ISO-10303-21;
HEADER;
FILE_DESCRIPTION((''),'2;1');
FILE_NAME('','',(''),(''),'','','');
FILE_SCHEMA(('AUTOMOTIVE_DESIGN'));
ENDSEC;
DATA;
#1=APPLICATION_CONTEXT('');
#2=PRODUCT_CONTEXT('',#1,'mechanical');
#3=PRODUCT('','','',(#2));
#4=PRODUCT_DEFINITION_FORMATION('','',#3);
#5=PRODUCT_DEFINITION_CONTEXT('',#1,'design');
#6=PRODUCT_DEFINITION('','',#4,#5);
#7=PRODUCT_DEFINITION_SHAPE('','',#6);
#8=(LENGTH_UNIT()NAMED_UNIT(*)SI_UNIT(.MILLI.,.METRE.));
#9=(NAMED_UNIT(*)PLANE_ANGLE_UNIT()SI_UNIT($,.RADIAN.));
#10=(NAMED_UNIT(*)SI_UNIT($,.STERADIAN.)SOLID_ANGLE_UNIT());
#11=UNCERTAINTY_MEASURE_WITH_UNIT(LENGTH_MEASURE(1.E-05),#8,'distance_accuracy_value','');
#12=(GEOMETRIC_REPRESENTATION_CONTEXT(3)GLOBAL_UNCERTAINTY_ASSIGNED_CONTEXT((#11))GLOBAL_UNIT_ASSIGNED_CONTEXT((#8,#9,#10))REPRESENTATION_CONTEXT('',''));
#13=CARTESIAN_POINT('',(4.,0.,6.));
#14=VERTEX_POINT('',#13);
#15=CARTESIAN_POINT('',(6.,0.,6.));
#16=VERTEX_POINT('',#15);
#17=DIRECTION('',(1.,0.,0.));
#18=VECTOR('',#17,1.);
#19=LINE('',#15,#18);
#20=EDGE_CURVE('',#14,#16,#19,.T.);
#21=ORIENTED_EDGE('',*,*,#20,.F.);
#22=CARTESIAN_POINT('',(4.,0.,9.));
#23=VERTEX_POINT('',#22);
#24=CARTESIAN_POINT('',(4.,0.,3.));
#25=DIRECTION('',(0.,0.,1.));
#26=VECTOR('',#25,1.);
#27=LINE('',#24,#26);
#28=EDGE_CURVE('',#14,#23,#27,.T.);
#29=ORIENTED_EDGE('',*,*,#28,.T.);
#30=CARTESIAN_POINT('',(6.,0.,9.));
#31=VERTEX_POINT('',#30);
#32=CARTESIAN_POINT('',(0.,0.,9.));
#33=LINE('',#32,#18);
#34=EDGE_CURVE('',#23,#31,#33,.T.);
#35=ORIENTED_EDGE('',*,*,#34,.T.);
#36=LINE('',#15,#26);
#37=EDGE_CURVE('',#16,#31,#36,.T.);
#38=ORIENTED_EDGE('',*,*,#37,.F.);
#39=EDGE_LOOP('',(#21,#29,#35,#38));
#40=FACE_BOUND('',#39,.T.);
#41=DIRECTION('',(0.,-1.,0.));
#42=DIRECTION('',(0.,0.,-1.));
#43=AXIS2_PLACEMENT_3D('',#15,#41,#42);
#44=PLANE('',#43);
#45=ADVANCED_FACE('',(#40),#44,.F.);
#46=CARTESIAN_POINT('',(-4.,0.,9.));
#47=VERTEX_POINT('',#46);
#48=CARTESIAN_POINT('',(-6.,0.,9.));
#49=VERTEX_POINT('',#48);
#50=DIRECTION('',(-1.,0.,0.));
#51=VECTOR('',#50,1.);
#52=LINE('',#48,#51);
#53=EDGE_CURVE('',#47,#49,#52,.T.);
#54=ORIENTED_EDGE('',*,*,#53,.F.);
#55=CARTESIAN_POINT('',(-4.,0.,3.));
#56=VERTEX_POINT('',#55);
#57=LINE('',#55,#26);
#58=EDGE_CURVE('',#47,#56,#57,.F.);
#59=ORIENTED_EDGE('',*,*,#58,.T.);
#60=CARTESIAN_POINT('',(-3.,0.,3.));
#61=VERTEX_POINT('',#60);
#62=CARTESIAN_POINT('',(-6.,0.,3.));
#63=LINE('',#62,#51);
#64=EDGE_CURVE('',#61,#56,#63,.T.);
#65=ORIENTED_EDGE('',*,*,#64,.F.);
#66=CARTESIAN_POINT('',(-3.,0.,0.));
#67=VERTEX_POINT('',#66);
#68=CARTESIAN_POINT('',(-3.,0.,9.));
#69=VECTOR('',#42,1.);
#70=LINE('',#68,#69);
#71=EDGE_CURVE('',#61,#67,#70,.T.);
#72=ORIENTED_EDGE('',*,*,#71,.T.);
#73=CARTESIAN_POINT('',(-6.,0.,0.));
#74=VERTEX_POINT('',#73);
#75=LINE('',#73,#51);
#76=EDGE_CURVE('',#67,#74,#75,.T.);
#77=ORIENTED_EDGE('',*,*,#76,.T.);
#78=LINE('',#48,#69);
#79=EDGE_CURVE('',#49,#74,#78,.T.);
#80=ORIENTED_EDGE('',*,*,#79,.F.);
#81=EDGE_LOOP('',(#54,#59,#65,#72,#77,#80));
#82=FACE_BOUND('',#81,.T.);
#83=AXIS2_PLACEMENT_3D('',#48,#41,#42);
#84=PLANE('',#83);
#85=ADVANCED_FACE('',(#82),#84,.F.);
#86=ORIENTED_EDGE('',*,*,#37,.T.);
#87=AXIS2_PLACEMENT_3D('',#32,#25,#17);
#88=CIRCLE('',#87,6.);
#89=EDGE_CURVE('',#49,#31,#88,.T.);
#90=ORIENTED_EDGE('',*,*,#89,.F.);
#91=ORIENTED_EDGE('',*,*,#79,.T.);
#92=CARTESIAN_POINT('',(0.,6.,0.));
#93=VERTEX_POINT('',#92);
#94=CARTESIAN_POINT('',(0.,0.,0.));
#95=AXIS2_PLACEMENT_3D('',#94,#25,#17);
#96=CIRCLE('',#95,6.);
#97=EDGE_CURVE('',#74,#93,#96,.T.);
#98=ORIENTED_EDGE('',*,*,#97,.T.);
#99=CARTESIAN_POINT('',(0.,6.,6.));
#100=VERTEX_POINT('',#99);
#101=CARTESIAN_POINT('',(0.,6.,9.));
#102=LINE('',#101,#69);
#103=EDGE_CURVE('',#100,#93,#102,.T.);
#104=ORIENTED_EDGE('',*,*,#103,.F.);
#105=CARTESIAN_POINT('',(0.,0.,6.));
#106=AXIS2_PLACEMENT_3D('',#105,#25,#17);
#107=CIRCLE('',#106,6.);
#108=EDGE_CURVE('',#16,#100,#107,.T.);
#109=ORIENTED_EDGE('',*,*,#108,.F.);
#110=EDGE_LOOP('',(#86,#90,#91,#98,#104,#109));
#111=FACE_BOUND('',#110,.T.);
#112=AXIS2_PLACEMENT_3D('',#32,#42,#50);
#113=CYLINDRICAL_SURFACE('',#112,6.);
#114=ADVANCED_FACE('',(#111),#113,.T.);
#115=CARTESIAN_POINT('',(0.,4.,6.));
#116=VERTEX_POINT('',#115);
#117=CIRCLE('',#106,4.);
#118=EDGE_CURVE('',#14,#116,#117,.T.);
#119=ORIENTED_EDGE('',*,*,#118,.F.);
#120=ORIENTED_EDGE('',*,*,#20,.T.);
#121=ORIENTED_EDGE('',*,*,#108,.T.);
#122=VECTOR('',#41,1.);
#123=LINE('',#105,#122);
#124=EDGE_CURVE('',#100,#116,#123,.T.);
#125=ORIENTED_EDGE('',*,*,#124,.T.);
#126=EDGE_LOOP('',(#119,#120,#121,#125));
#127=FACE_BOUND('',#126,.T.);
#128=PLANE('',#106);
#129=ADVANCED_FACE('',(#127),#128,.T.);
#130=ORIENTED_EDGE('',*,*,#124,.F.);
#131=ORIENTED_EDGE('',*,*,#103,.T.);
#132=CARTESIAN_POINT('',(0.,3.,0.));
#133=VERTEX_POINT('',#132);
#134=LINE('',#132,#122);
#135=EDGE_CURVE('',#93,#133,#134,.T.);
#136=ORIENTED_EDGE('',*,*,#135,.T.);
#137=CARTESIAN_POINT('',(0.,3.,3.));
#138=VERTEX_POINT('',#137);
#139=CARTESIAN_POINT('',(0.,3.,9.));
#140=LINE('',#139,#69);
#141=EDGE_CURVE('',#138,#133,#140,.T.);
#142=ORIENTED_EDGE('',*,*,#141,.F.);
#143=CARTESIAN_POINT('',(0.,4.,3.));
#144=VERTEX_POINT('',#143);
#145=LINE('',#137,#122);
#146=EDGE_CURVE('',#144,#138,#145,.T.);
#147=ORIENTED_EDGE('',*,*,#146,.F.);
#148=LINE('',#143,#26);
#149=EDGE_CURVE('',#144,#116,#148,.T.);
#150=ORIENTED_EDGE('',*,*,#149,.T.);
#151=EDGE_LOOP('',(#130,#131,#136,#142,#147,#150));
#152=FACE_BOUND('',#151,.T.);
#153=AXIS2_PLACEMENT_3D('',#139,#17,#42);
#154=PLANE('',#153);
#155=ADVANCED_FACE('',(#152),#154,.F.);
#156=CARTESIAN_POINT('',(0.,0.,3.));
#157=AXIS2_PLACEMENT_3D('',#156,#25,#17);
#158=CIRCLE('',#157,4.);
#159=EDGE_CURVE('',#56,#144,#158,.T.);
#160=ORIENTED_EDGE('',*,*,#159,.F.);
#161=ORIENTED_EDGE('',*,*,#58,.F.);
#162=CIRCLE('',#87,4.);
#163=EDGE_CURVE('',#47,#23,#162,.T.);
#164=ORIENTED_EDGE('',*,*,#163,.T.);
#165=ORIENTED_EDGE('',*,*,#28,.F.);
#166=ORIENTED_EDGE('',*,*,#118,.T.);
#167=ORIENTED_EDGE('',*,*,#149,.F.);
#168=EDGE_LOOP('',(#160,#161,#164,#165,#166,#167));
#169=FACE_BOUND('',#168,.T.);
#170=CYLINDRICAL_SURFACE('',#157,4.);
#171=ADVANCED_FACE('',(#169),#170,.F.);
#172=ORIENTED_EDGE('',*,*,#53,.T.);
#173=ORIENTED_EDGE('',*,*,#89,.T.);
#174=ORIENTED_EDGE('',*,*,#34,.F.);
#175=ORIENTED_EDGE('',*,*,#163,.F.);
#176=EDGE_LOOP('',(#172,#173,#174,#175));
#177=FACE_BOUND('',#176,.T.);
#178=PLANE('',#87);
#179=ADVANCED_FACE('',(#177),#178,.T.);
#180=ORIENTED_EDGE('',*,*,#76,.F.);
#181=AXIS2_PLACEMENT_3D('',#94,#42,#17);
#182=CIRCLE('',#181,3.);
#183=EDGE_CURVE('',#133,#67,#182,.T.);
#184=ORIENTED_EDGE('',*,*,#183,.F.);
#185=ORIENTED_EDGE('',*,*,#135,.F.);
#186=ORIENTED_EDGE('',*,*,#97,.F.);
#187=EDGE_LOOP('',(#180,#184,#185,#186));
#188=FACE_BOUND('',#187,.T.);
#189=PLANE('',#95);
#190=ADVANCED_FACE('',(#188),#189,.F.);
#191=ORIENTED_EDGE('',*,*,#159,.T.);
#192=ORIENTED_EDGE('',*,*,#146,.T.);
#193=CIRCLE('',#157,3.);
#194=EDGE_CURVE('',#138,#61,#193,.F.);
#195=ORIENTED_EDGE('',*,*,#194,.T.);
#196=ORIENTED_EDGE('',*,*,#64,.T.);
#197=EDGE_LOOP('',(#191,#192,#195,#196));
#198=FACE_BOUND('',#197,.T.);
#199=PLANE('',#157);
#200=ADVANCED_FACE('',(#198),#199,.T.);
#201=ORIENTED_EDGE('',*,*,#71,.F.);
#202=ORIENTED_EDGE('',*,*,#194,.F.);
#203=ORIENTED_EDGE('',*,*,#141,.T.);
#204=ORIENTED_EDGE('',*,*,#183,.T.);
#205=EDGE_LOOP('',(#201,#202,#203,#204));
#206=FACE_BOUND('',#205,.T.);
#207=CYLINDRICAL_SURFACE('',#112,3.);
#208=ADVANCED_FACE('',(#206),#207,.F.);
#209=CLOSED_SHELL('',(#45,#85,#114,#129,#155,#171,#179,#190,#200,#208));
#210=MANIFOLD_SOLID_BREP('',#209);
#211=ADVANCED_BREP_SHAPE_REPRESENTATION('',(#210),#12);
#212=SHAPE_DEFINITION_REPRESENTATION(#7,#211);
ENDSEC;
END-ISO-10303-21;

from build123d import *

# Parameters (mm, degrees)
BOSS_EXTRUDE1_DEPTH = 9
SKETCH2_W           = 6
SKETCH2_H           = 6
CUT_EXTRUDE1_DEPTH  = 3
SKETCH3_R           = 4
CUT_EXTRUDE2_DEPTH  = 6


with BuildPart() as part:
    # Sketch1 → Boss-Extrude1 (new body)
    with BuildSketch(Plane.XY):
        with BuildLine():
            Line((-6, 0), (-3, 0))
            ThreePointArc((-3, 0), (2.121320344, -2.121320344), (0, 3))
            Line((0, 3), (0, 6))
            ThreePointArc((0, 6), (4.242640687, -4.242640687), (-6, 0))
        make_face()
    extrude(amount=BOSS_EXTRUDE1_DEPTH)

    # Sketch2 → Cut-Extrude1 (cut)
    with BuildSketch(Plane.XY.offset(9)):
        with Locations((3, 3)):
            Rectangle(SKETCH2_W, SKETCH2_H)
    extrude(amount=-CUT_EXTRUDE1_DEPTH, mode=Mode.SUBTRACT)

    # Sketch3 → Cut-Extrude2 (cut)
    with BuildSketch(Plane.XY.offset(9)):
        Circle(SKETCH3_R)
    extrude(amount=-CUT_EXTRUDE2_DEPTH, mode=Mode.SUBTRACT)


solid = part.part
